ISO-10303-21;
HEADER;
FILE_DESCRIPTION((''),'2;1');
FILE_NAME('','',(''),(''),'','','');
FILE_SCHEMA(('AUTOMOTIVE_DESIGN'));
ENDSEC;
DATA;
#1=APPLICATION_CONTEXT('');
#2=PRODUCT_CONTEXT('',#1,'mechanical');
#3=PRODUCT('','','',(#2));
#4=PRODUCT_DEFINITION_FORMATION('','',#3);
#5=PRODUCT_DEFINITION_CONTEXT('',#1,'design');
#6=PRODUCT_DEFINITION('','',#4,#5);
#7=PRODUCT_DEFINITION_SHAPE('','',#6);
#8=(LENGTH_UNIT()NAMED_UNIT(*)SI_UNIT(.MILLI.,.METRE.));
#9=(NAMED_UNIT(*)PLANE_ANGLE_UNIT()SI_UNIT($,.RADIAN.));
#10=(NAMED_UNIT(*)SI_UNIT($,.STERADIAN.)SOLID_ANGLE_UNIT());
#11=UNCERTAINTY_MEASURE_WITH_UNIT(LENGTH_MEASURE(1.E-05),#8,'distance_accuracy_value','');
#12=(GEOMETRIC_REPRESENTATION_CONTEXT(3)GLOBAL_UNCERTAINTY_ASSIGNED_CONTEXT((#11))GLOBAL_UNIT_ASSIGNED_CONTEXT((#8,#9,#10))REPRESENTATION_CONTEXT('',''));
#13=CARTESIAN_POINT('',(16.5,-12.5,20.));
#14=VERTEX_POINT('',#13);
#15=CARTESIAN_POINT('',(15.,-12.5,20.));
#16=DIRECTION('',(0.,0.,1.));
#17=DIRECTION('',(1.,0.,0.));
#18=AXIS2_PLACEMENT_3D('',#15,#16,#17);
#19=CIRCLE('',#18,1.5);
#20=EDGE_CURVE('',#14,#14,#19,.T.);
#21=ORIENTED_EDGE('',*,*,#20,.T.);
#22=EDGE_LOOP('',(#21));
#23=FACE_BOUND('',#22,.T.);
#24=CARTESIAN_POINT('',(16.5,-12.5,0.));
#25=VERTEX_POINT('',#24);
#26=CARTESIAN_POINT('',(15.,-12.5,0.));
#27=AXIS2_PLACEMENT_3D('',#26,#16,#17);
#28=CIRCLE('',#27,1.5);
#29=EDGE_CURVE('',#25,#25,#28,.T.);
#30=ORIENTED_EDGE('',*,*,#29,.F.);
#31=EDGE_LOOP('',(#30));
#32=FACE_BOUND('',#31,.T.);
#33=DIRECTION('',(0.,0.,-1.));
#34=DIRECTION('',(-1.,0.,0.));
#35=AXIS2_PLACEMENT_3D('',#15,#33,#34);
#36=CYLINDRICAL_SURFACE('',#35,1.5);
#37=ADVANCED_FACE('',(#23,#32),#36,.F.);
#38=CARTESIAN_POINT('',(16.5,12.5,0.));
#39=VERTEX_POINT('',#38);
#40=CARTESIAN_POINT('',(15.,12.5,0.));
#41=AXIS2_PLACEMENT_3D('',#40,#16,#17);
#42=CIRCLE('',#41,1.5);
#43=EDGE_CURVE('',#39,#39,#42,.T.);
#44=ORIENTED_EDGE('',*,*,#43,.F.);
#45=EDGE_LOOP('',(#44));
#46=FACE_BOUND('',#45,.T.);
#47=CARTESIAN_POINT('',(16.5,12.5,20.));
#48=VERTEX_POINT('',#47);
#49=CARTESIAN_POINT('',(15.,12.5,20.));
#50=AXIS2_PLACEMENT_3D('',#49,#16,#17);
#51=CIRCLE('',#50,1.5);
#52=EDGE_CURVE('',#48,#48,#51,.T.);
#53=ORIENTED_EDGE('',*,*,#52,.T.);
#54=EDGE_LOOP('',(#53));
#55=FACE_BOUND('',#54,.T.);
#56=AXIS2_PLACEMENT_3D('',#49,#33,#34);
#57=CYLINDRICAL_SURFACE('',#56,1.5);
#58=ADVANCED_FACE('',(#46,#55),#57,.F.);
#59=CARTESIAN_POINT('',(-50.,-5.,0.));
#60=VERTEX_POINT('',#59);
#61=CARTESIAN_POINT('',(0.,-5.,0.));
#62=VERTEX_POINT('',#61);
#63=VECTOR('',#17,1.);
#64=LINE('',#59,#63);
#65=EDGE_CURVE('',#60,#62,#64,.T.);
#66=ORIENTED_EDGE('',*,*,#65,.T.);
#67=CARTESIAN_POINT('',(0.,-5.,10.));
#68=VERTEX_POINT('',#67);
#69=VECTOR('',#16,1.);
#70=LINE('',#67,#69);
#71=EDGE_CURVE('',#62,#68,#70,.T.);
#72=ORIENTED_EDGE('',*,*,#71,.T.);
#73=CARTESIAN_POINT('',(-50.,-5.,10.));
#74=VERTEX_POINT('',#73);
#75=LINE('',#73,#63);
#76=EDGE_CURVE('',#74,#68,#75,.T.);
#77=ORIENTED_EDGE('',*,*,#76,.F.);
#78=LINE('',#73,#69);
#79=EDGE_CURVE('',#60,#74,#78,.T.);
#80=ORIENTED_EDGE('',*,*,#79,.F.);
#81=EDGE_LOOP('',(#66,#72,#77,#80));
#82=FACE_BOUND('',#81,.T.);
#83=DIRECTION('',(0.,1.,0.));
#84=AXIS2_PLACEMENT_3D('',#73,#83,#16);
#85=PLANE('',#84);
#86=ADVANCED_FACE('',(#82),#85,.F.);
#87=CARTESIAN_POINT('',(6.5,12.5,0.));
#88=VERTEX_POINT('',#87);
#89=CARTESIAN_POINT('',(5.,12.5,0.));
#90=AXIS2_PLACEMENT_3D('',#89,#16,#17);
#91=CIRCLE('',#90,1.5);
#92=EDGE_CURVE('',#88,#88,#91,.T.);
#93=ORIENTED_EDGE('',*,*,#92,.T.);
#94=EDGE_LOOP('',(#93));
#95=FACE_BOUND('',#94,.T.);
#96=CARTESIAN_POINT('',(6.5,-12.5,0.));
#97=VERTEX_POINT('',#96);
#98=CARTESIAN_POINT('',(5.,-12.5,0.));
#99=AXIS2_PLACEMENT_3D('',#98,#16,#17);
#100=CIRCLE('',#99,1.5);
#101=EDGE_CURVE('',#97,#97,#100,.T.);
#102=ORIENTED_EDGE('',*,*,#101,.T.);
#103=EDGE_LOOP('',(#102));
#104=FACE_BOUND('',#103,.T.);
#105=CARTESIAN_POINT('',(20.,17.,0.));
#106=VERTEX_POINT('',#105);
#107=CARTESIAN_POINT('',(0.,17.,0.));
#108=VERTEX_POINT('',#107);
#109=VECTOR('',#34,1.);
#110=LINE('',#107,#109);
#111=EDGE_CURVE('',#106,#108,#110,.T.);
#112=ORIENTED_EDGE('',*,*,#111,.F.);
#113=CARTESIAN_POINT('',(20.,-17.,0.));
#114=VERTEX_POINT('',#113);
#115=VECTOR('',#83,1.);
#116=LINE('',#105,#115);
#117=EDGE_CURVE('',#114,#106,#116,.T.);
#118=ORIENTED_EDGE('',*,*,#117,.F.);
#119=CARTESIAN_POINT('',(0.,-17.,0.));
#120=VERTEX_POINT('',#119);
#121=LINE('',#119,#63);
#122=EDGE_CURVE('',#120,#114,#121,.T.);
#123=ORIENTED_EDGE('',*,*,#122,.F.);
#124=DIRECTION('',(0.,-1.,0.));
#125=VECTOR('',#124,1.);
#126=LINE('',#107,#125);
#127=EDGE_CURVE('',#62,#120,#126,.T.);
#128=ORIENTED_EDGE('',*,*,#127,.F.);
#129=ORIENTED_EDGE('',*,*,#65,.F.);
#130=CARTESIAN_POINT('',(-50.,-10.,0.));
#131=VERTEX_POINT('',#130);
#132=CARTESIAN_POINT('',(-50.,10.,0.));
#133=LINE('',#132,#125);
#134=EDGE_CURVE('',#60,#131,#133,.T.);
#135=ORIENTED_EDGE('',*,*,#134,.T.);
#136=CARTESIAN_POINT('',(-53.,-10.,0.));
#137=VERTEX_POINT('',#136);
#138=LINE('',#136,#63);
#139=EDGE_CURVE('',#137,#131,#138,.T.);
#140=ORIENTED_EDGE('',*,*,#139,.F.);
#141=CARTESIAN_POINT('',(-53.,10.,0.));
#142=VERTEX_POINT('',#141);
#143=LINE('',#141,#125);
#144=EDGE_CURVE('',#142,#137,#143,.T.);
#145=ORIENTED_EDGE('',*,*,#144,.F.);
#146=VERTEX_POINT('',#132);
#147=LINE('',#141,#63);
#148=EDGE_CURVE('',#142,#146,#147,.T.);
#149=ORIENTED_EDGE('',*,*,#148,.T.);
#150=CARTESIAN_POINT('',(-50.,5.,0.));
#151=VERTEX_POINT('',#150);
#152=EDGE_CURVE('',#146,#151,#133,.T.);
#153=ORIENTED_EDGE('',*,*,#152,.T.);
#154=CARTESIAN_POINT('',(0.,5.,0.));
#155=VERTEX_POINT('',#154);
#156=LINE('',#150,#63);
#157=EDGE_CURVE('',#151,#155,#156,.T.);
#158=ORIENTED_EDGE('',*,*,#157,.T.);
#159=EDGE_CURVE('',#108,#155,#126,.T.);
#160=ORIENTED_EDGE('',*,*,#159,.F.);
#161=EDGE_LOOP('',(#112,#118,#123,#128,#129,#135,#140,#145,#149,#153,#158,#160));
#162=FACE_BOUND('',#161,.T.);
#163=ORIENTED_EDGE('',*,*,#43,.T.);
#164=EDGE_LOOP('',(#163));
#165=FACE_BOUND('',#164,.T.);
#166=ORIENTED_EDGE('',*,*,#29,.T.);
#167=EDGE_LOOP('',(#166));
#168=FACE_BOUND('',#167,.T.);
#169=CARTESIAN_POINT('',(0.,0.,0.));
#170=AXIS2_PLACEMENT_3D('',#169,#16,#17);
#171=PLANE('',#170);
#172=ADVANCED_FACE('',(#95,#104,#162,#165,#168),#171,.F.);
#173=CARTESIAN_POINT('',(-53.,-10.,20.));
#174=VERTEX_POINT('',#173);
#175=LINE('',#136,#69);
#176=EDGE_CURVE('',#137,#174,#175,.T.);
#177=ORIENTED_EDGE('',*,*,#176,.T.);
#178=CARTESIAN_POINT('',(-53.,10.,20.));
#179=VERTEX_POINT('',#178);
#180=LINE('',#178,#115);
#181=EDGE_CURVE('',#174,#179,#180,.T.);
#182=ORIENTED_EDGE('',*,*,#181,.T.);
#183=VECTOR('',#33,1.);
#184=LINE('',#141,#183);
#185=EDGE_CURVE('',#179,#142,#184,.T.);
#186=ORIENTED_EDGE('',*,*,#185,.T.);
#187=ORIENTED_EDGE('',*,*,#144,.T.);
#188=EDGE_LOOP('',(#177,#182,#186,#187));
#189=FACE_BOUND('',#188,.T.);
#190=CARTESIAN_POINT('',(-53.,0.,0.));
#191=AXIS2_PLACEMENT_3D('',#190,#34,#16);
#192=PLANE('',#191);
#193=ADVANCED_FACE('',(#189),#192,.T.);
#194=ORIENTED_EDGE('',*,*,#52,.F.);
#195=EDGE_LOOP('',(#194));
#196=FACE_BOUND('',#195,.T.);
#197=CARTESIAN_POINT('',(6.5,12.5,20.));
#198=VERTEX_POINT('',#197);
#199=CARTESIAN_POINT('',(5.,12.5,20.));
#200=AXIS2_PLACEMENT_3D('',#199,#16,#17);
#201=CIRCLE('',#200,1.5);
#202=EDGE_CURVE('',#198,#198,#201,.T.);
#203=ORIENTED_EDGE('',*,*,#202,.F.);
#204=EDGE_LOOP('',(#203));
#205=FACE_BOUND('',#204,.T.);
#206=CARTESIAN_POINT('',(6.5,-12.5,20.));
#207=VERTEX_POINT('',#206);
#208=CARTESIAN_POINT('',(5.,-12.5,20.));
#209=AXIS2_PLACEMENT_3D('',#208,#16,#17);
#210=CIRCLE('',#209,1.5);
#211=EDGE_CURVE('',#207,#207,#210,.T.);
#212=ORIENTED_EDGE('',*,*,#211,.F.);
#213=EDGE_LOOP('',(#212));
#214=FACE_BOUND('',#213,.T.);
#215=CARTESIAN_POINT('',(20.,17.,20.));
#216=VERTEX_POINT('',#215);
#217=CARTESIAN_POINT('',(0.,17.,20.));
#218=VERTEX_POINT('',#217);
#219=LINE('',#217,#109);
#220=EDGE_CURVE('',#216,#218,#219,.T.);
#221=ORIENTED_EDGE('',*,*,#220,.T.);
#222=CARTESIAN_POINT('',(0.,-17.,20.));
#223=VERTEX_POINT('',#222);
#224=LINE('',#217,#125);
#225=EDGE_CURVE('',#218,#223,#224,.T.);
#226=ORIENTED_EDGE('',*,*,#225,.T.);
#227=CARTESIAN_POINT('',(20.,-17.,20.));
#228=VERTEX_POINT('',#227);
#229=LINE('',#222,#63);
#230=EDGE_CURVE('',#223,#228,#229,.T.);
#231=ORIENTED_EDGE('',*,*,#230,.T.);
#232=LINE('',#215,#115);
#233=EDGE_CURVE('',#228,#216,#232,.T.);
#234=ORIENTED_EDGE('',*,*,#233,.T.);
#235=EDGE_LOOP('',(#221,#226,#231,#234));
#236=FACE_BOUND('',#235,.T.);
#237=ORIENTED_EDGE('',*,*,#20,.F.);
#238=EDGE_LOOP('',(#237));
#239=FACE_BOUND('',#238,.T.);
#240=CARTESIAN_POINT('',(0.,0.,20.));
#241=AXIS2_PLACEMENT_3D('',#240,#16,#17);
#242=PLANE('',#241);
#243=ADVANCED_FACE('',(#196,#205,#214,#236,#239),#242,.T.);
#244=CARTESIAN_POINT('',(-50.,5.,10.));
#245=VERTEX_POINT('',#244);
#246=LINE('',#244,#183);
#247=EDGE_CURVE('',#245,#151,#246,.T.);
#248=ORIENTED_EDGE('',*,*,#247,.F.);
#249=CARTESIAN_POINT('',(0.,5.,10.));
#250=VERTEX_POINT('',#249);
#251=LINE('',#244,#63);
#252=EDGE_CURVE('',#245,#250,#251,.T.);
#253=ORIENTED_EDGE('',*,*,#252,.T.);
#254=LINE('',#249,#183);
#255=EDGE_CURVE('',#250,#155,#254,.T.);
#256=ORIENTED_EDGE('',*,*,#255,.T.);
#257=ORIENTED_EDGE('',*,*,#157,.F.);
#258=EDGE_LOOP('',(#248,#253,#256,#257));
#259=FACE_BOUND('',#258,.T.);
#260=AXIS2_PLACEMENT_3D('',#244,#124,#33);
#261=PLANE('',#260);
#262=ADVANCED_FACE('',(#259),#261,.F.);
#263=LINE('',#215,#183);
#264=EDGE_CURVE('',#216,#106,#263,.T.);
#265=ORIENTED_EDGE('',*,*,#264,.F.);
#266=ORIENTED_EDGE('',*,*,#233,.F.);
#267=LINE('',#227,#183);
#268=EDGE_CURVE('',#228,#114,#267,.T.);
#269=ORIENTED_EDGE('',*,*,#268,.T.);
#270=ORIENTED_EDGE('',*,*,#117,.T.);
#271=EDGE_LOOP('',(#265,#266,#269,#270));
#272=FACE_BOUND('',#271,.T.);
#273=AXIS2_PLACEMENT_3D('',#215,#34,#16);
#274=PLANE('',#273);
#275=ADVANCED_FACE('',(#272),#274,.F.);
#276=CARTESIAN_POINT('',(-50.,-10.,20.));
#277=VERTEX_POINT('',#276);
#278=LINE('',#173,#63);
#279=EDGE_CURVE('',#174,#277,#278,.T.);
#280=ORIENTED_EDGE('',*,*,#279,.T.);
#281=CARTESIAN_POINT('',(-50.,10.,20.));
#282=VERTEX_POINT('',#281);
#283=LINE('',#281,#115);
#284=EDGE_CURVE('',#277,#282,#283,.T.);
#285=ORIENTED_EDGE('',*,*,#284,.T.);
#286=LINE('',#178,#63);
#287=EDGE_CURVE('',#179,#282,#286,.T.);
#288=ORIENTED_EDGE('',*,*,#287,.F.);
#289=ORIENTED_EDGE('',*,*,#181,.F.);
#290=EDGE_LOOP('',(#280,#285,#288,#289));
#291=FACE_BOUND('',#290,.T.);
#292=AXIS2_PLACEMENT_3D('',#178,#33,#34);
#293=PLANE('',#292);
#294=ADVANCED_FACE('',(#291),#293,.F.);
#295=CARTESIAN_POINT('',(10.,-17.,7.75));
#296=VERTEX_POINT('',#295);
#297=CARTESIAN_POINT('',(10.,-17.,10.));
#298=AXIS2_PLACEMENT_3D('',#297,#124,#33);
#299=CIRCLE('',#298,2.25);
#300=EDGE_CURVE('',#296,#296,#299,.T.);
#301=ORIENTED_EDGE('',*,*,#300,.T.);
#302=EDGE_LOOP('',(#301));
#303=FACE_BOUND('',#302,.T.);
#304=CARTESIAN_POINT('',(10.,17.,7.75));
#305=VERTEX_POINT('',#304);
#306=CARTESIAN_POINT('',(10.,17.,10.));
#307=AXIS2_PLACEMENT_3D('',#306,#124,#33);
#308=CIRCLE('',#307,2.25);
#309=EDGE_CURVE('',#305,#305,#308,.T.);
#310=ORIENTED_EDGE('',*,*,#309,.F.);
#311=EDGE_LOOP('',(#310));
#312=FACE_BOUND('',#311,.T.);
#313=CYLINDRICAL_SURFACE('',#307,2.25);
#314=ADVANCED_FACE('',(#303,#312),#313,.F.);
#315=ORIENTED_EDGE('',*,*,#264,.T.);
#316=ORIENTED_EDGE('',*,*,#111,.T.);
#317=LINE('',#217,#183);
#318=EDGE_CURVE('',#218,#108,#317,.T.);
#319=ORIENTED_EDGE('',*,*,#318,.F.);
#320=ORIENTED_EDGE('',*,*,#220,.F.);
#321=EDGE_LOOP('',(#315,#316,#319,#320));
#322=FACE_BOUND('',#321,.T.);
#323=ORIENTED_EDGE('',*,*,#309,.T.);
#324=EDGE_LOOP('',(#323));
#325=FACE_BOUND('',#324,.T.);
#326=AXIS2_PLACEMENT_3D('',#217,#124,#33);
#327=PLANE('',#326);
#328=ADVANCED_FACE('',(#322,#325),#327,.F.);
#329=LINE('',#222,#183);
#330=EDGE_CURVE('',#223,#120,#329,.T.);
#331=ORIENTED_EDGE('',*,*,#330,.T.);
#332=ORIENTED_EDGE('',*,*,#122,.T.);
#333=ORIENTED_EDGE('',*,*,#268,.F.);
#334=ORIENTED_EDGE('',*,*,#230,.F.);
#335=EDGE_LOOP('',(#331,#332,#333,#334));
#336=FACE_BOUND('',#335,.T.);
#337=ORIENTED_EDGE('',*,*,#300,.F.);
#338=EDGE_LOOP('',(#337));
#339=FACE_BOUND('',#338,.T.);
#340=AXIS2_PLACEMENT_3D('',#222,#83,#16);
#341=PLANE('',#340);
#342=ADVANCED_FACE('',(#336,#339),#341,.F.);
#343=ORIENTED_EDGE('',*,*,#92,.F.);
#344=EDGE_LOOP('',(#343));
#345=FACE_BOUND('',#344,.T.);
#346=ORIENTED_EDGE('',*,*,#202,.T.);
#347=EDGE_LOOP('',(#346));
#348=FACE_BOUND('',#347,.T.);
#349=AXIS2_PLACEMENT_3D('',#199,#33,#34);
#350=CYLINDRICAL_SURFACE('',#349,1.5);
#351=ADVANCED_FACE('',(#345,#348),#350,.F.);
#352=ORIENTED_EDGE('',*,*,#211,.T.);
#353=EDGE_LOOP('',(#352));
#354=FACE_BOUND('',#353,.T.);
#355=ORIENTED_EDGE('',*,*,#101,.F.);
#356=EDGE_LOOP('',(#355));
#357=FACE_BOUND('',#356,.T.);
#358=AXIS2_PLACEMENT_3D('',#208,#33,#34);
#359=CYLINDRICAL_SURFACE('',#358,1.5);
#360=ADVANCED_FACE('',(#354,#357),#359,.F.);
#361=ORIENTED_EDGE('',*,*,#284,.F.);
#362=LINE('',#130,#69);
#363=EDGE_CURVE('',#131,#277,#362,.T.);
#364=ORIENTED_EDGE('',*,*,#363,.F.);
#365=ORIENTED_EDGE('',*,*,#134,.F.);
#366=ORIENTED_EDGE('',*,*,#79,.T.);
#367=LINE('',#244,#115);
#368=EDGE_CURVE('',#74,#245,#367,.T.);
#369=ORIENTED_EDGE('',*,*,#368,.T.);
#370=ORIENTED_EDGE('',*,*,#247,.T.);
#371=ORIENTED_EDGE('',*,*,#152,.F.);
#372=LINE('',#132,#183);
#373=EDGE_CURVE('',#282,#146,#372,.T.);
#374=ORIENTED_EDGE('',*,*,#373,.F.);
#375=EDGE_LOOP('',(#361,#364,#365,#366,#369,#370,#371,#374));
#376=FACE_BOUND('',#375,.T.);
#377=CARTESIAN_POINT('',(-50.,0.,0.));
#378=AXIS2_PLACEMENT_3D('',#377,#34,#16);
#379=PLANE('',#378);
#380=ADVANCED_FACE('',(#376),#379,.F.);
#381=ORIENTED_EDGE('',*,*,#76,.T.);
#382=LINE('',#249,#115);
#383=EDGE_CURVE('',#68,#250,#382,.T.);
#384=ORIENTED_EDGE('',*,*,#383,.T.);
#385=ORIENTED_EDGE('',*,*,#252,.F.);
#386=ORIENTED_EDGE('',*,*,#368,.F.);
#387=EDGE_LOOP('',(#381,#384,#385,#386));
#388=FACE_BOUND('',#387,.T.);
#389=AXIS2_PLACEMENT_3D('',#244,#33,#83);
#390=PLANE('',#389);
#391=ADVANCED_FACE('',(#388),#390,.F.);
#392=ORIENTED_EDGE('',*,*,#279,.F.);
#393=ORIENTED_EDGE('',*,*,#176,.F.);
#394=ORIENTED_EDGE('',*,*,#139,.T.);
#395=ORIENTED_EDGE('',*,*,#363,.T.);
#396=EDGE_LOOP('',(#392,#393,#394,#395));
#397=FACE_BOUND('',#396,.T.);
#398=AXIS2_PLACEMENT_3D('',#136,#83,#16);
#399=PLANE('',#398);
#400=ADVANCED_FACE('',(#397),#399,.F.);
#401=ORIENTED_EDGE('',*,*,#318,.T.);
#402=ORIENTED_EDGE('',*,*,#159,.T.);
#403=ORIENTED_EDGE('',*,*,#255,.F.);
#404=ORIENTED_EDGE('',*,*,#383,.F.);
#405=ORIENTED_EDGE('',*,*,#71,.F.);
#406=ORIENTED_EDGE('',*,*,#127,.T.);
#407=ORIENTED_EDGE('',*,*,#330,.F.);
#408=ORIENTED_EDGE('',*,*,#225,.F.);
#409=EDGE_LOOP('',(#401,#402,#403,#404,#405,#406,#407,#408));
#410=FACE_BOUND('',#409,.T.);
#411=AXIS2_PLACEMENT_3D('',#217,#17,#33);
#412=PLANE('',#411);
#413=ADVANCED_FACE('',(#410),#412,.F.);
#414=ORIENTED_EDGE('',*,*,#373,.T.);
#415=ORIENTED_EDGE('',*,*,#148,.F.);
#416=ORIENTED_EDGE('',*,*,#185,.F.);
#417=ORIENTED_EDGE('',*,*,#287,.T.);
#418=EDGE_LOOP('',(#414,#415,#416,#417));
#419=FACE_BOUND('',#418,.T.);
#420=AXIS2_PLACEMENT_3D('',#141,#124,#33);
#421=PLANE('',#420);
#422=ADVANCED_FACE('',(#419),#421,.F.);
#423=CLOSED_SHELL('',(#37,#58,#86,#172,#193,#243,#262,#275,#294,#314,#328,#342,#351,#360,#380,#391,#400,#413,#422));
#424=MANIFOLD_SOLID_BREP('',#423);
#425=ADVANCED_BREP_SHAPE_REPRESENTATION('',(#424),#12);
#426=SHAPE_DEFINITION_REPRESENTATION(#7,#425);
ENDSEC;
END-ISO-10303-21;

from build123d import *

# Parameters (mm, degrees)
MAIN_W                  = 20
MAIN_H                  = 34
MAIN_R                  = 1.5
MAIN_EXTRUSION_DEPTH    = 20
ESQUISSE2_R             = 2.25
ENL_V_MAT_EXTRU_1_DEPTH = 45.226688775
ESQUISSE3_W             = 10
ESQUISSE3_H             = 10
BOSS_EXTRU_3_DEPTH      = 50
ESQUISSE4_W             = 20
ESQUISSE4_H             = 20
BOSS_EXTRU_4_DEPTH      = 3


with BuildPart() as part:
    # Main → Main Extrusion (new body)
    with BuildSketch(Plane.XY):
        with Locations((10, 0)):
            Rectangle(MAIN_W, MAIN_H)
        with Locations((5, 12.5)):
            Circle(MAIN_R, mode=Mode.SUBTRACT)
        with Locations((15, 12.5)):
            Circle(MAIN_R, mode=Mode.SUBTRACT)
        with Locations((5, -12.5)):
            Circle(MAIN_R, mode=Mode.SUBTRACT)
        with Locations((15, -12.5)):
            Circle(MAIN_R, mode=Mode.SUBTRACT)
    extrude(amount=MAIN_EXTRUSION_DEPTH)

    # Esquisse2 → Enlèv. mat.-Extru.1 (cut, through all)
    with BuildSketch(Plane.XZ.offset(17)):
        with Locations(Location((10, 10, 0), (0, 0, 270))):
            Circle(ESQUISSE2_R)
    extrude(amount=-ENL_V_MAT_EXTRU_1_DEPTH, mode=Mode.SUBTRACT)

    # Esquisse3 → Boss.-Extru.3 (add)
    with BuildSketch(Plane.ZY):
        with Locations((5, 0)):
            Rectangle(ESQUISSE3_W, ESQUISSE3_H)
    extrude(amount=BOSS_EXTRU_3_DEPTH)

    # Esquisse4 → Boss.-Extru.4 (add)
    with BuildSketch(Plane.ZY.offset(50)):
        with Locations((10, 0)):
            Rectangle(ESQUISSE4_W, ESQUISSE4_H)
    extrude(amount=BOSS_EXTRU_4_DEPTH)


solid = part.part
